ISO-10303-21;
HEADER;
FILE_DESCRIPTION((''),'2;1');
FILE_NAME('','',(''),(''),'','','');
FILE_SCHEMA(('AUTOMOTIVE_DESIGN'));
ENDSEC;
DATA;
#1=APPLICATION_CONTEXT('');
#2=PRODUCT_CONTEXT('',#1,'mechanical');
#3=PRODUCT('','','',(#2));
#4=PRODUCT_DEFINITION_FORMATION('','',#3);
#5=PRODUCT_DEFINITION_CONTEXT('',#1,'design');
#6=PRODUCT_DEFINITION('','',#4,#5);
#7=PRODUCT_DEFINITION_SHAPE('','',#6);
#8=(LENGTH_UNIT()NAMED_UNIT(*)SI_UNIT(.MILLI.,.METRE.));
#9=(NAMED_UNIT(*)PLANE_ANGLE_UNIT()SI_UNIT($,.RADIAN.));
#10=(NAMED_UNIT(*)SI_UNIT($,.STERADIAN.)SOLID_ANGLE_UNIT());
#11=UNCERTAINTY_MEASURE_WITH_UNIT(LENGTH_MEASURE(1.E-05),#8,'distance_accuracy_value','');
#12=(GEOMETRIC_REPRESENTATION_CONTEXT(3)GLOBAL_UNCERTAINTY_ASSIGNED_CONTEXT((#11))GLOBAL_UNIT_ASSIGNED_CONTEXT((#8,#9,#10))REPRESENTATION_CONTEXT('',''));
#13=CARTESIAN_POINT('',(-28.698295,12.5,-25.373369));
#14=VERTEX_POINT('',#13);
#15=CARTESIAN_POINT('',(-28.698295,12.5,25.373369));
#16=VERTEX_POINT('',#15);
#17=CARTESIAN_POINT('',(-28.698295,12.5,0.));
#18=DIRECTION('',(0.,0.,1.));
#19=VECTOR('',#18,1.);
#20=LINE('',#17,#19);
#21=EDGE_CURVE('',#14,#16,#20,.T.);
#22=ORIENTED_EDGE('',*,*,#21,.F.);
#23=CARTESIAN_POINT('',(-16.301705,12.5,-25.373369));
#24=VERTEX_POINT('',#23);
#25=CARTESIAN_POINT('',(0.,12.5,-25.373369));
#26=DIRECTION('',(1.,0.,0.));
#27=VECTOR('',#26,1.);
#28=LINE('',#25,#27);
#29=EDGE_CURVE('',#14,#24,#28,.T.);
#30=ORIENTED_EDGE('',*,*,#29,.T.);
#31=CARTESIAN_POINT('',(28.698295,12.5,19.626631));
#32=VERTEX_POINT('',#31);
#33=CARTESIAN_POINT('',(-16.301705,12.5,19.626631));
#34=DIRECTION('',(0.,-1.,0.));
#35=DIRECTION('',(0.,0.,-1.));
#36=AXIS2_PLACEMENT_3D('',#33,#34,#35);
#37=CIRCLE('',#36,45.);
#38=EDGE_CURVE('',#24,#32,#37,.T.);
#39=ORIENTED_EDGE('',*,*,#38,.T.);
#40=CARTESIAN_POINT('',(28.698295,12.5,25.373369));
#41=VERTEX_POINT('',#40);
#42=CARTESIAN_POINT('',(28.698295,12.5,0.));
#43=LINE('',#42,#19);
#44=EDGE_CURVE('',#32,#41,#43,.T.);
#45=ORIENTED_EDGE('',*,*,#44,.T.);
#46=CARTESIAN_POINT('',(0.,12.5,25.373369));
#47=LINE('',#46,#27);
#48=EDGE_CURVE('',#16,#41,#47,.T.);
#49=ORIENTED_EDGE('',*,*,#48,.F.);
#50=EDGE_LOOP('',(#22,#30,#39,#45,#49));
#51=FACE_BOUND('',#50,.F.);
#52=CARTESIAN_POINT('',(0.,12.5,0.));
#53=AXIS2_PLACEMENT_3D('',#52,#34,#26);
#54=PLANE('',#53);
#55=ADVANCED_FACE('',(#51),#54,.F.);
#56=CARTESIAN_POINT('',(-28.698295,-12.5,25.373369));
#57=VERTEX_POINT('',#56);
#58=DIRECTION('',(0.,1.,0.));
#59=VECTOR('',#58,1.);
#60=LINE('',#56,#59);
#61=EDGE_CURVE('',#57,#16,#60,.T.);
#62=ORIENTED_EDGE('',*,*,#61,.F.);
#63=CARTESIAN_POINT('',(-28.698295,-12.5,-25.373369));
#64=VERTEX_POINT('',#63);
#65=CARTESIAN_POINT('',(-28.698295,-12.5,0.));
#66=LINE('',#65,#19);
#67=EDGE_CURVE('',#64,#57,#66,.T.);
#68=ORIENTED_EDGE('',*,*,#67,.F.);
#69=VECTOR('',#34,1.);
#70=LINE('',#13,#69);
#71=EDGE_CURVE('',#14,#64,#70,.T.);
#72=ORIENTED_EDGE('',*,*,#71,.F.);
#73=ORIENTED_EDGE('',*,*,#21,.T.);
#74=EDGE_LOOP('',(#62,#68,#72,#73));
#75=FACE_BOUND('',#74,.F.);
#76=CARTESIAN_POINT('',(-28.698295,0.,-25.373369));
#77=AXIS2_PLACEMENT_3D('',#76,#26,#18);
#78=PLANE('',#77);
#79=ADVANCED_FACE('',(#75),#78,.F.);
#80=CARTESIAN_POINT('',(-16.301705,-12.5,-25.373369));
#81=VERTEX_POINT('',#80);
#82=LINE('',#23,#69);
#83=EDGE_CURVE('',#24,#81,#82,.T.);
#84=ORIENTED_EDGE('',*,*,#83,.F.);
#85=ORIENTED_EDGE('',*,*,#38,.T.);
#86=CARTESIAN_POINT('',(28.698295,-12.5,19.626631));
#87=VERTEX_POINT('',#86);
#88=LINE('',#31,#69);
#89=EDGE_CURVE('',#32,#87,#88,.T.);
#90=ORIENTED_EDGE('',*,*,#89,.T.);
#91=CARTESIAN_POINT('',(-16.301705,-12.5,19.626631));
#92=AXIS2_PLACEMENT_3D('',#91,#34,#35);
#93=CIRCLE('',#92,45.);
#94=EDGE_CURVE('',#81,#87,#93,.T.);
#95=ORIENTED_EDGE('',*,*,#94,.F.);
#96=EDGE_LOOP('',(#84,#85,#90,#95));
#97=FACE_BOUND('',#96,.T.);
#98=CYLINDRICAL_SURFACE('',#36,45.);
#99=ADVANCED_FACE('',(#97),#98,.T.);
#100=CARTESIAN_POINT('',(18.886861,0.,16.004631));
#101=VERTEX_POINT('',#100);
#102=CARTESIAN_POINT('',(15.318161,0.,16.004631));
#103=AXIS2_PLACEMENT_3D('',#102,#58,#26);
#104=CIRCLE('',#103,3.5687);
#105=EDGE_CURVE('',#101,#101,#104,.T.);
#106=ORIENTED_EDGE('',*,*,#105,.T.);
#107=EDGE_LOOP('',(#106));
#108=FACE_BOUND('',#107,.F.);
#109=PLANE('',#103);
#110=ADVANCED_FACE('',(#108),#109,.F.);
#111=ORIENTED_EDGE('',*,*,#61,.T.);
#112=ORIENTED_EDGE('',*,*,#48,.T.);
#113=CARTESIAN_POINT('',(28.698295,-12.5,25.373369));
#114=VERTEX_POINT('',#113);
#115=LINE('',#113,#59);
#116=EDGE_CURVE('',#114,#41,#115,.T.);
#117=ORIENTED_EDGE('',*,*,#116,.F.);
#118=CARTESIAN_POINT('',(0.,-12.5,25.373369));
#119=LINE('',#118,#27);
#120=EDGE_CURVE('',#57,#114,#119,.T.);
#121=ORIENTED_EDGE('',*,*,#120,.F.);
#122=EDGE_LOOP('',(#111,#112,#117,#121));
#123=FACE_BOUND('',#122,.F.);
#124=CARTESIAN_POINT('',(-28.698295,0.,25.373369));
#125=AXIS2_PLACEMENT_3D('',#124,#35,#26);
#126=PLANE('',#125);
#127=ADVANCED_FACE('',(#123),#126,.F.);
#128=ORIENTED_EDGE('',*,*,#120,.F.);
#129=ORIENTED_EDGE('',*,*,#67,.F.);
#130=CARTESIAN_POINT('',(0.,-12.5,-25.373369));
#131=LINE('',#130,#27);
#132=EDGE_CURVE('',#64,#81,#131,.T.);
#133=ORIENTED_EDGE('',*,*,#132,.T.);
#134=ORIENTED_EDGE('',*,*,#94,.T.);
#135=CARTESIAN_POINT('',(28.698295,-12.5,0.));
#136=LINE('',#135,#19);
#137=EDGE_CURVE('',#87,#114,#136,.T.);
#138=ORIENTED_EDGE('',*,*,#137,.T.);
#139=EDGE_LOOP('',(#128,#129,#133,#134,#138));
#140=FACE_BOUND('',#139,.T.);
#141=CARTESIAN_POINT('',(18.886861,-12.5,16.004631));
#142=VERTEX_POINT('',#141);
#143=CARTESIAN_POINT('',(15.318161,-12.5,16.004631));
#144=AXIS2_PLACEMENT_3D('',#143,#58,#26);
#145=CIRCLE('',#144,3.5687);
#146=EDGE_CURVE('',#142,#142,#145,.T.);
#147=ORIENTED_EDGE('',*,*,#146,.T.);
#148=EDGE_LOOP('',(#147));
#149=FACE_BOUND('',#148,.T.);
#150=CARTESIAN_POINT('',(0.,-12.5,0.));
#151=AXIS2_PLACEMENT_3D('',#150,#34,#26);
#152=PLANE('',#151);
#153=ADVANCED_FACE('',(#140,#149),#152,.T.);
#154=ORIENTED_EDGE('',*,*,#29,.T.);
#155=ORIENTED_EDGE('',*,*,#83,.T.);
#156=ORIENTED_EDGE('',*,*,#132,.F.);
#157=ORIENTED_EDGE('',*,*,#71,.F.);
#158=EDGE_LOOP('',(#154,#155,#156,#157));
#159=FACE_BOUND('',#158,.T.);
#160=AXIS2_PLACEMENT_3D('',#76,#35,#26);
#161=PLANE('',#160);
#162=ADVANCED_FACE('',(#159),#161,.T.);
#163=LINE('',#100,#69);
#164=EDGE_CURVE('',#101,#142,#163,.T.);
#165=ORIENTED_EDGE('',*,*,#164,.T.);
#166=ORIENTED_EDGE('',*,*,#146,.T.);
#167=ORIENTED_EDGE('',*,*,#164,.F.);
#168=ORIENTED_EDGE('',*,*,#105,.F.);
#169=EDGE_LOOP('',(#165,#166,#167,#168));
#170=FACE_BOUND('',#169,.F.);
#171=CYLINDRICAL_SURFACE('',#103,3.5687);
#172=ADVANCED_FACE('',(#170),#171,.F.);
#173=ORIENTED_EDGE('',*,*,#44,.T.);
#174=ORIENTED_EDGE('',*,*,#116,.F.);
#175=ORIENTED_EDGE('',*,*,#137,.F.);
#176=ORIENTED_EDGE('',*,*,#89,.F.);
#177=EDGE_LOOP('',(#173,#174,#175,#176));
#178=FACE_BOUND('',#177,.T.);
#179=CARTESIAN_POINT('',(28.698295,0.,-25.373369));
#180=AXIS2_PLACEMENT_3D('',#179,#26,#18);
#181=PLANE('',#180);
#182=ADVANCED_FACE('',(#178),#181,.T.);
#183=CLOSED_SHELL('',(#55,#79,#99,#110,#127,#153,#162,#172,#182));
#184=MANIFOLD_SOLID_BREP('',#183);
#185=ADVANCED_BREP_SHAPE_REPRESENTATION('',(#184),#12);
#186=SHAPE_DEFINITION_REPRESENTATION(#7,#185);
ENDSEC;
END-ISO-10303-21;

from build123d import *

# Parameters (mm, degrees)
F0_W     = 57.3965907097
F0_H     = 50.7467389107
F1_DEPTH = 12.5
F3_D     = 7.1374
F3_DEPTH = 12.501
F4_R     = 45


with BuildPart() as f1:
    # F0 (on Front) → F1 (new body, symmetric)
    with BuildSketch(Plane.XZ):
        Rectangle(F0_W, F0_H)
    extrude(amount=F1_DEPTH, both=True)

    # F3 (through all, one way)
    with BuildSketch(Plane(origin=(0, 0, 0), x_dir=(1, 0, 0), z_dir=(0, 1, 0))):
        with Locations((15.3181608766, -16.0046312958)):
            Circle(F3_D / 2)
    extrude(amount=-F3_DEPTH, mode=Mode.SUBTRACT)

    # F4
    f4_edges = [f1.edges().sort_by_distance(p)[0] for p in [
        (28.698295, 0, -25.373369),
    ]]
    fillet(f4_edges, radius=F4_R)


solid = f1.part
